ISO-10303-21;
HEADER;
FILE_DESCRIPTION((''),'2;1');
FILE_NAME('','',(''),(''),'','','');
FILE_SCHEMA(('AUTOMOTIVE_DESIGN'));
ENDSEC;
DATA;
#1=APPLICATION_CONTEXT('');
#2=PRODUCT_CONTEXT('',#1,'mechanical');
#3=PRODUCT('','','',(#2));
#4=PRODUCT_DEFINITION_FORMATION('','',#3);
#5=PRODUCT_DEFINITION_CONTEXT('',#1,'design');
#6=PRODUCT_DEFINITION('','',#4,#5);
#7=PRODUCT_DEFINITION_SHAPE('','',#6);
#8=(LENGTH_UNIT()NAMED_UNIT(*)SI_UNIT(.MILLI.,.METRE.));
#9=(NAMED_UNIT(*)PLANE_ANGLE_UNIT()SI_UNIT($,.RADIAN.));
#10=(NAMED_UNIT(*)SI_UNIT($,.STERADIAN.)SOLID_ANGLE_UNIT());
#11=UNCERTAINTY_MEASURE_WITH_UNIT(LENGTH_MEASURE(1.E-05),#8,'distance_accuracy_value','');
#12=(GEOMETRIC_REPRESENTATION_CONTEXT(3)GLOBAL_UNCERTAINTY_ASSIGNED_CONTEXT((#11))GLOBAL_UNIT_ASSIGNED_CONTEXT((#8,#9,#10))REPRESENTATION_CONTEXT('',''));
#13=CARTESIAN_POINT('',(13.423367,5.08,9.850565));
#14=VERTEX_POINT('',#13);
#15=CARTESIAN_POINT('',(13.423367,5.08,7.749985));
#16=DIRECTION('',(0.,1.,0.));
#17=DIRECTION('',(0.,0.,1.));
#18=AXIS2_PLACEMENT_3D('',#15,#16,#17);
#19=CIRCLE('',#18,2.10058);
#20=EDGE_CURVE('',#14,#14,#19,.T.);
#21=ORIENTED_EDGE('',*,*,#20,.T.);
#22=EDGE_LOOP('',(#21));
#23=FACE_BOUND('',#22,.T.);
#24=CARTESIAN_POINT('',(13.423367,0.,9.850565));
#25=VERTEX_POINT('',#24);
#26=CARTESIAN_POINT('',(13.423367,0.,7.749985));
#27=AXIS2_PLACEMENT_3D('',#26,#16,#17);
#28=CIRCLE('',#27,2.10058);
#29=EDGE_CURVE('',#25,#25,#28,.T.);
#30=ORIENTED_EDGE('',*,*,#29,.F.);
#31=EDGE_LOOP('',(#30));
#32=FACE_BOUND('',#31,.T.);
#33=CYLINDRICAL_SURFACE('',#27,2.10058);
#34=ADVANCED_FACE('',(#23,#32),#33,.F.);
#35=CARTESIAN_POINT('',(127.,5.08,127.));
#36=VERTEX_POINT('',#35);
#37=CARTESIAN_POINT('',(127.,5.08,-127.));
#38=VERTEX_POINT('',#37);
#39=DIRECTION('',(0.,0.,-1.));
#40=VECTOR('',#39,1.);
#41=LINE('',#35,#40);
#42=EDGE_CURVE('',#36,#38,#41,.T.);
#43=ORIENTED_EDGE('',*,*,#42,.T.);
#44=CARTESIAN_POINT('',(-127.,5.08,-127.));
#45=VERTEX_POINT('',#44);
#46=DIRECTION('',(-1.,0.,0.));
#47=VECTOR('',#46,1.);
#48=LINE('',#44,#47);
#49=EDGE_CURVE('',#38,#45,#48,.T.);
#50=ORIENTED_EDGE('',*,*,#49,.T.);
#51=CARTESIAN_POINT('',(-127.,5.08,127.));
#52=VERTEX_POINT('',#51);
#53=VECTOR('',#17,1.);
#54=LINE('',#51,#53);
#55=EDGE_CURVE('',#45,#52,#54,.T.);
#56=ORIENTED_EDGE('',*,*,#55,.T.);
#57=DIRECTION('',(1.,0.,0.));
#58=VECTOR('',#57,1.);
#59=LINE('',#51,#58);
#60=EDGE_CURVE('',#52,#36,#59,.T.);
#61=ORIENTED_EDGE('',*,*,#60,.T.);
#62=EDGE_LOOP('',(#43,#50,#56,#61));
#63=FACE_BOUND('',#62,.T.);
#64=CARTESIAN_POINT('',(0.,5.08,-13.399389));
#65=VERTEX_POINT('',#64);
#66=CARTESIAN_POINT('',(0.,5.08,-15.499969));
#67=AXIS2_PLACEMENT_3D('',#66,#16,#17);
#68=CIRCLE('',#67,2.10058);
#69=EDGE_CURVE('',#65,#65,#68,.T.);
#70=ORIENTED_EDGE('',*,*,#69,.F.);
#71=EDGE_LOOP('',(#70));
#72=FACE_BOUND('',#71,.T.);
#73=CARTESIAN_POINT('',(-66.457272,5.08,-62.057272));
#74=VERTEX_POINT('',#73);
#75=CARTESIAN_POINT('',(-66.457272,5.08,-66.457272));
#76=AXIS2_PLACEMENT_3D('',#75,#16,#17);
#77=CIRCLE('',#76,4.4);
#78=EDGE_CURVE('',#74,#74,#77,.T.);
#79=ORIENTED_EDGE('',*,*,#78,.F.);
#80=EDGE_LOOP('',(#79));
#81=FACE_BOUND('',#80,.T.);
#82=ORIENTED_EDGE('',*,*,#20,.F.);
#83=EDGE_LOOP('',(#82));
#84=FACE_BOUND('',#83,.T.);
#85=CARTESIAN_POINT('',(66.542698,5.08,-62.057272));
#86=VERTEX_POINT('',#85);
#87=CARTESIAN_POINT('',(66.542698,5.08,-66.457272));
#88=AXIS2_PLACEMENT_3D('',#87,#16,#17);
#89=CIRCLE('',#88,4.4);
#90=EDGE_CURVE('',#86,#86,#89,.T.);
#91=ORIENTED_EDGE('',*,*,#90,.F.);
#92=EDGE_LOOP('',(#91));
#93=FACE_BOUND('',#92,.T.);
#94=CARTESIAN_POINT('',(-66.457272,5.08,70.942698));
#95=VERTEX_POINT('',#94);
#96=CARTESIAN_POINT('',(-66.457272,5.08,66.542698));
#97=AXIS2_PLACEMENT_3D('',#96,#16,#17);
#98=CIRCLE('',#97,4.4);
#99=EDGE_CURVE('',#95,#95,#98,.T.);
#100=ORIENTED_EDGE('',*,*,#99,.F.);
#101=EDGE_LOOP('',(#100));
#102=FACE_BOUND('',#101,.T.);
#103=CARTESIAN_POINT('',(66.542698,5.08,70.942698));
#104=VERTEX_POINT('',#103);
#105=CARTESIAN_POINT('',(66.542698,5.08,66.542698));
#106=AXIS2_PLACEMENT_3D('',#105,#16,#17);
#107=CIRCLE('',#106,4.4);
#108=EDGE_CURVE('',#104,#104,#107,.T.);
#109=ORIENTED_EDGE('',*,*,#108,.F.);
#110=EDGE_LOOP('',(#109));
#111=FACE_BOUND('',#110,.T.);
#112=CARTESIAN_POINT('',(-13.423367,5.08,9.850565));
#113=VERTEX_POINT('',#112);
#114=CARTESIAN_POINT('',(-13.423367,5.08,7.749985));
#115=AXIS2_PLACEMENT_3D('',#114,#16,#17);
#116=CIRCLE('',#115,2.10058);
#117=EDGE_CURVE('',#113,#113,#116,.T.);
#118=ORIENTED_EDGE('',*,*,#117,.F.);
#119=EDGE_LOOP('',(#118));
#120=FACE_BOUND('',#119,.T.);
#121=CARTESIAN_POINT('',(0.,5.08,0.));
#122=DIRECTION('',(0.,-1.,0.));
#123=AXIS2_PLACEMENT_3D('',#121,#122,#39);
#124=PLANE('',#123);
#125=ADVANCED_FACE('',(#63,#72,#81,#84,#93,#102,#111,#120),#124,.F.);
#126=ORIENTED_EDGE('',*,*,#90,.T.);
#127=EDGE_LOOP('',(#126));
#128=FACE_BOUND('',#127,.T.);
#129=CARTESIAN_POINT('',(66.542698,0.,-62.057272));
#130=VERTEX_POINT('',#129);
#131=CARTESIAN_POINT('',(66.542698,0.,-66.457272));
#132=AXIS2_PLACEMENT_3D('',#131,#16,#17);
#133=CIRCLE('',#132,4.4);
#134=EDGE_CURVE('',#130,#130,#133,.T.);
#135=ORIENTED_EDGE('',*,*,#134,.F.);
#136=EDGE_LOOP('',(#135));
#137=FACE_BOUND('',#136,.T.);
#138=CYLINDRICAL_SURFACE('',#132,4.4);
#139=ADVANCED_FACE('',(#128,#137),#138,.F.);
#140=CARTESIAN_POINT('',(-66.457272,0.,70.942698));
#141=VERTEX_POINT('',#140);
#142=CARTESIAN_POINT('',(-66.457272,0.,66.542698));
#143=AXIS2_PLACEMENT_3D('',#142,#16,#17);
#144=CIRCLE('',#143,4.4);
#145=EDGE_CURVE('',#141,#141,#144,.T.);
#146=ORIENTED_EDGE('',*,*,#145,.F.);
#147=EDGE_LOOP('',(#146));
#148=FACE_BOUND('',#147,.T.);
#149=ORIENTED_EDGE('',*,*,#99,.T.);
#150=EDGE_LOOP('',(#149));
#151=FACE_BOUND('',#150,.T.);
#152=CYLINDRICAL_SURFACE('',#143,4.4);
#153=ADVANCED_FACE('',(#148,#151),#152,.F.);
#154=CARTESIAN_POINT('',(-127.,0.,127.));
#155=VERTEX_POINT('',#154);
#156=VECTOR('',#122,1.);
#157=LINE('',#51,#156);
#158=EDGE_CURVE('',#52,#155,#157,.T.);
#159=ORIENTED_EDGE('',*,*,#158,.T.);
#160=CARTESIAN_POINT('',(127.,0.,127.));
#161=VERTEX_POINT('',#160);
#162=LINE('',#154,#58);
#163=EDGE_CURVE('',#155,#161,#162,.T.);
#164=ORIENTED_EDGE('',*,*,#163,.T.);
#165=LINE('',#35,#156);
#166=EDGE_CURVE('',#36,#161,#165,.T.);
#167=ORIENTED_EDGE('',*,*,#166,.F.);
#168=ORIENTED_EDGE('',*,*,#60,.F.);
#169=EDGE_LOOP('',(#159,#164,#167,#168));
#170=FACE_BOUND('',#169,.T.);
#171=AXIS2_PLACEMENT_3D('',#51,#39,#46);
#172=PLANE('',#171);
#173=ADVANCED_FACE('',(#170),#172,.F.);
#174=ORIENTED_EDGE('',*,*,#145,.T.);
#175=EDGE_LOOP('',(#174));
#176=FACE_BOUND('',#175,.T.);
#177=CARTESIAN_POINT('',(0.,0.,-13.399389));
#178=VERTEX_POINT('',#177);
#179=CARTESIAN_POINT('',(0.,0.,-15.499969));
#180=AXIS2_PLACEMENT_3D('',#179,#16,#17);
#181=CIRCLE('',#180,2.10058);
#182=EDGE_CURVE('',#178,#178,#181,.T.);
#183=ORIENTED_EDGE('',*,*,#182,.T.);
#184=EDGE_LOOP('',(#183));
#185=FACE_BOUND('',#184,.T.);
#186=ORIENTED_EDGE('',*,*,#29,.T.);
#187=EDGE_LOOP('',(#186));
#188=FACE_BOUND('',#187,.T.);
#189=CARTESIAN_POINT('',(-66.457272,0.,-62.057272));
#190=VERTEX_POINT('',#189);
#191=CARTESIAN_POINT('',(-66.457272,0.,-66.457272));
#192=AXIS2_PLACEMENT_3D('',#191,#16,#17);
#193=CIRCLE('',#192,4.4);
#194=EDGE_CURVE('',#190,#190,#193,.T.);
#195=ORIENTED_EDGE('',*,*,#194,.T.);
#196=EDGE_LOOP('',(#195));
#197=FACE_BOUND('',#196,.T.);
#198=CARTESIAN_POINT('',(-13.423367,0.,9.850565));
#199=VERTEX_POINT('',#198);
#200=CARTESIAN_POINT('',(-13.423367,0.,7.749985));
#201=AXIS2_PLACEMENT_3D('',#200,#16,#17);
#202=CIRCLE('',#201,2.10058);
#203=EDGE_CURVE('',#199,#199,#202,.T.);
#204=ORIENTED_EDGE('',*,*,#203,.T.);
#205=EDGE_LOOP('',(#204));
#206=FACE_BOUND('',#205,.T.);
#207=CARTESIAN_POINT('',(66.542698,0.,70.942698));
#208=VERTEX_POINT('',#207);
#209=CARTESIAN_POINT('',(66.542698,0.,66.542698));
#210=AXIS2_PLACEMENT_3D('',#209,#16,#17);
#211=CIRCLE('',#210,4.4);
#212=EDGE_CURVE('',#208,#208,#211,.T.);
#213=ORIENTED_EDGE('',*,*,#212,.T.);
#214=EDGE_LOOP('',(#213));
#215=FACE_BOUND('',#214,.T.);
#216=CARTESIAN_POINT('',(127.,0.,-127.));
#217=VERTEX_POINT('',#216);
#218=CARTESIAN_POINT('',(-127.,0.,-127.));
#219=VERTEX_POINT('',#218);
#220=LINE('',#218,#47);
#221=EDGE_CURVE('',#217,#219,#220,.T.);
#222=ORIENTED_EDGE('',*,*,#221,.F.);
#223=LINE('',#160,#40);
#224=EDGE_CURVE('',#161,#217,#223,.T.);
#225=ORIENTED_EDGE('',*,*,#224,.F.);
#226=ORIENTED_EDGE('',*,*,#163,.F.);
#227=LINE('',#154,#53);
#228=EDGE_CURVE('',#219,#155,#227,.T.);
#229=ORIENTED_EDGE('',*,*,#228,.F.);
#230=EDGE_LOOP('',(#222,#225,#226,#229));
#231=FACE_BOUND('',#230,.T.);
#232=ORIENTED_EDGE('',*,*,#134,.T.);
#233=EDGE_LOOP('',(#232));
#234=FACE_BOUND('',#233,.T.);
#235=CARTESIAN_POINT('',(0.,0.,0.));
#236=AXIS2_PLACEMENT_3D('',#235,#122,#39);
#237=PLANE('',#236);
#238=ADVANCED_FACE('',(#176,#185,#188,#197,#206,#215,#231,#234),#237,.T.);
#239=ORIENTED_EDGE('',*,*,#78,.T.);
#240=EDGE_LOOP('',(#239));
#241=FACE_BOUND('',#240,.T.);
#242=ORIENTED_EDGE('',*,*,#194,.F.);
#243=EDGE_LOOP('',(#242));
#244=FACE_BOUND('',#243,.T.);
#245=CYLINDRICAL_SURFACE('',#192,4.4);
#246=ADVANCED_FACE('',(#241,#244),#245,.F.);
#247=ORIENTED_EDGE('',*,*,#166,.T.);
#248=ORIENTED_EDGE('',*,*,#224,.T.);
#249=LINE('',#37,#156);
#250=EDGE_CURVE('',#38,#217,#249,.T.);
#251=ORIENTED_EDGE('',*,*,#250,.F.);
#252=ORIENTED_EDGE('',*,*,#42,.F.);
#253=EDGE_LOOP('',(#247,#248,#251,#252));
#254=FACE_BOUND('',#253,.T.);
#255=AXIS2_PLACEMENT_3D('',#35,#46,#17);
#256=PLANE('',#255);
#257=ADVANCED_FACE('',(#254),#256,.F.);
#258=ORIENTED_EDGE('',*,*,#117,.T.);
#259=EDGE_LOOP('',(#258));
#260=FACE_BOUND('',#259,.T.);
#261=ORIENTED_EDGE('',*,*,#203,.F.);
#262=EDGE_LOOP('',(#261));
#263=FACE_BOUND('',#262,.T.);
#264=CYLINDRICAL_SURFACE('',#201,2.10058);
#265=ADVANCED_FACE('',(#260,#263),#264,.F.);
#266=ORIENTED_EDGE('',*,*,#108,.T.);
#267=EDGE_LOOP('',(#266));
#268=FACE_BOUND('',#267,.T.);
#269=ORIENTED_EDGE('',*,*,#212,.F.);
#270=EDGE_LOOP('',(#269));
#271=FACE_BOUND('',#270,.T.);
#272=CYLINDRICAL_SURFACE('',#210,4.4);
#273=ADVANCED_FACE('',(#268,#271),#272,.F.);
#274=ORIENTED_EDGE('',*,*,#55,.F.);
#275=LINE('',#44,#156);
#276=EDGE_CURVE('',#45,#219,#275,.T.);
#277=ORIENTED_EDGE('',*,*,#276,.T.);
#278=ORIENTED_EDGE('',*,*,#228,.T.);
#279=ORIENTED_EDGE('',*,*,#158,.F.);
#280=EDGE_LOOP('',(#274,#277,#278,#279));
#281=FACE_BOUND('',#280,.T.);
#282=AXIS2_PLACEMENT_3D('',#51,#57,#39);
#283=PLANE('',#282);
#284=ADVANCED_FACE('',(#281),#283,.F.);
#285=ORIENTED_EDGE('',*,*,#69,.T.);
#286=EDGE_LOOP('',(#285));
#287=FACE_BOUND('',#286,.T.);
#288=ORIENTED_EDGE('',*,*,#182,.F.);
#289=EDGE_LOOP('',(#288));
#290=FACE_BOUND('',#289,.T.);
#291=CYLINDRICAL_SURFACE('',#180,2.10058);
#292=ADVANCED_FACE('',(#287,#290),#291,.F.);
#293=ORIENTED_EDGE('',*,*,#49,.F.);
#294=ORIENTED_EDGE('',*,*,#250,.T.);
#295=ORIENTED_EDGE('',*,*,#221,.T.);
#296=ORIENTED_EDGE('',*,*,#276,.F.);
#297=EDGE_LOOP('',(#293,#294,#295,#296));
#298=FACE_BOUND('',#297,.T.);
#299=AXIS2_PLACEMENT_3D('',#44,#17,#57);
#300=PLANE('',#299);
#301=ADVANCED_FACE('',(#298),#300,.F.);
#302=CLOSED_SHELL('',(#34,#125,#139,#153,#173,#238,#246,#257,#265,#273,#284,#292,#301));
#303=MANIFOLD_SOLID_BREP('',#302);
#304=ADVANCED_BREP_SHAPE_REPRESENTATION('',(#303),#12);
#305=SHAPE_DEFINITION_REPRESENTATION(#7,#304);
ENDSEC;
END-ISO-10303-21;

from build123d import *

# Parameters (mm, degrees)
SKETCH1_W           = 254
SKETCH1_H           = 254
BOSS_EXTRUDE1_DEPTH = 5.08
SKETCH2_R           = 2.10058
CUT_EXTRUDE1_DEPTH  = 6.08
SKETCH5_R           = 4.399999963
CUT_EXTRUDE2_DEPTH  = 6.08


with BuildPart() as part:
    # Sketch1 → Boss-Extrude1 (new body)
    with BuildSketch(Plane(origin=(0, 0, 0), x_dir=(1, 0, 0), z_dir=(0, 1, 0))):
        Rectangle(SKETCH1_W, SKETCH1_H)
    extrude(amount=BOSS_EXTRUDE1_DEPTH)

    # Sketch2 → Cut-Extrude1 (cut, through all)
    with BuildSketch(Plane(origin=(0, 5.08, 0), x_dir=(1, 0, 0), z_dir=(0, 1, 0))):
        with Locations((0, 15.499969)):
            Circle(SKETCH2_R)
        with Locations((13.423366912, -7.7499845)):
            Circle(SKETCH2_R)
        with Locations((-13.423366912, -7.7499845)):
            Circle(SKETCH2_R)
    extrude(amount=-CUT_EXTRUDE1_DEPTH, mode=Mode.SUBTRACT)

    # Sketch5 → Cut-Extrude2 (cut, through all)
    with BuildSketch(Plane(origin=(0, 5.08, 0), x_dir=(1, 0, 0), z_dir=(0, 1, 0))):
        with Locations((66.542698013, 66.4572719)):
            Circle(SKETCH5_R)
        with Locations((66.542698013, -66.542698013)):
            Circle(SKETCH5_R)
        with Locations((-66.4572719, -66.542698013)):
            Circle(SKETCH5_R)
        with Locations((-66.4572719, 66.4572719)):
            Circle(SKETCH5_R)
    extrude(amount=-CUT_EXTRUDE2_DEPTH, mode=Mode.SUBTRACT)


solid = part.part
